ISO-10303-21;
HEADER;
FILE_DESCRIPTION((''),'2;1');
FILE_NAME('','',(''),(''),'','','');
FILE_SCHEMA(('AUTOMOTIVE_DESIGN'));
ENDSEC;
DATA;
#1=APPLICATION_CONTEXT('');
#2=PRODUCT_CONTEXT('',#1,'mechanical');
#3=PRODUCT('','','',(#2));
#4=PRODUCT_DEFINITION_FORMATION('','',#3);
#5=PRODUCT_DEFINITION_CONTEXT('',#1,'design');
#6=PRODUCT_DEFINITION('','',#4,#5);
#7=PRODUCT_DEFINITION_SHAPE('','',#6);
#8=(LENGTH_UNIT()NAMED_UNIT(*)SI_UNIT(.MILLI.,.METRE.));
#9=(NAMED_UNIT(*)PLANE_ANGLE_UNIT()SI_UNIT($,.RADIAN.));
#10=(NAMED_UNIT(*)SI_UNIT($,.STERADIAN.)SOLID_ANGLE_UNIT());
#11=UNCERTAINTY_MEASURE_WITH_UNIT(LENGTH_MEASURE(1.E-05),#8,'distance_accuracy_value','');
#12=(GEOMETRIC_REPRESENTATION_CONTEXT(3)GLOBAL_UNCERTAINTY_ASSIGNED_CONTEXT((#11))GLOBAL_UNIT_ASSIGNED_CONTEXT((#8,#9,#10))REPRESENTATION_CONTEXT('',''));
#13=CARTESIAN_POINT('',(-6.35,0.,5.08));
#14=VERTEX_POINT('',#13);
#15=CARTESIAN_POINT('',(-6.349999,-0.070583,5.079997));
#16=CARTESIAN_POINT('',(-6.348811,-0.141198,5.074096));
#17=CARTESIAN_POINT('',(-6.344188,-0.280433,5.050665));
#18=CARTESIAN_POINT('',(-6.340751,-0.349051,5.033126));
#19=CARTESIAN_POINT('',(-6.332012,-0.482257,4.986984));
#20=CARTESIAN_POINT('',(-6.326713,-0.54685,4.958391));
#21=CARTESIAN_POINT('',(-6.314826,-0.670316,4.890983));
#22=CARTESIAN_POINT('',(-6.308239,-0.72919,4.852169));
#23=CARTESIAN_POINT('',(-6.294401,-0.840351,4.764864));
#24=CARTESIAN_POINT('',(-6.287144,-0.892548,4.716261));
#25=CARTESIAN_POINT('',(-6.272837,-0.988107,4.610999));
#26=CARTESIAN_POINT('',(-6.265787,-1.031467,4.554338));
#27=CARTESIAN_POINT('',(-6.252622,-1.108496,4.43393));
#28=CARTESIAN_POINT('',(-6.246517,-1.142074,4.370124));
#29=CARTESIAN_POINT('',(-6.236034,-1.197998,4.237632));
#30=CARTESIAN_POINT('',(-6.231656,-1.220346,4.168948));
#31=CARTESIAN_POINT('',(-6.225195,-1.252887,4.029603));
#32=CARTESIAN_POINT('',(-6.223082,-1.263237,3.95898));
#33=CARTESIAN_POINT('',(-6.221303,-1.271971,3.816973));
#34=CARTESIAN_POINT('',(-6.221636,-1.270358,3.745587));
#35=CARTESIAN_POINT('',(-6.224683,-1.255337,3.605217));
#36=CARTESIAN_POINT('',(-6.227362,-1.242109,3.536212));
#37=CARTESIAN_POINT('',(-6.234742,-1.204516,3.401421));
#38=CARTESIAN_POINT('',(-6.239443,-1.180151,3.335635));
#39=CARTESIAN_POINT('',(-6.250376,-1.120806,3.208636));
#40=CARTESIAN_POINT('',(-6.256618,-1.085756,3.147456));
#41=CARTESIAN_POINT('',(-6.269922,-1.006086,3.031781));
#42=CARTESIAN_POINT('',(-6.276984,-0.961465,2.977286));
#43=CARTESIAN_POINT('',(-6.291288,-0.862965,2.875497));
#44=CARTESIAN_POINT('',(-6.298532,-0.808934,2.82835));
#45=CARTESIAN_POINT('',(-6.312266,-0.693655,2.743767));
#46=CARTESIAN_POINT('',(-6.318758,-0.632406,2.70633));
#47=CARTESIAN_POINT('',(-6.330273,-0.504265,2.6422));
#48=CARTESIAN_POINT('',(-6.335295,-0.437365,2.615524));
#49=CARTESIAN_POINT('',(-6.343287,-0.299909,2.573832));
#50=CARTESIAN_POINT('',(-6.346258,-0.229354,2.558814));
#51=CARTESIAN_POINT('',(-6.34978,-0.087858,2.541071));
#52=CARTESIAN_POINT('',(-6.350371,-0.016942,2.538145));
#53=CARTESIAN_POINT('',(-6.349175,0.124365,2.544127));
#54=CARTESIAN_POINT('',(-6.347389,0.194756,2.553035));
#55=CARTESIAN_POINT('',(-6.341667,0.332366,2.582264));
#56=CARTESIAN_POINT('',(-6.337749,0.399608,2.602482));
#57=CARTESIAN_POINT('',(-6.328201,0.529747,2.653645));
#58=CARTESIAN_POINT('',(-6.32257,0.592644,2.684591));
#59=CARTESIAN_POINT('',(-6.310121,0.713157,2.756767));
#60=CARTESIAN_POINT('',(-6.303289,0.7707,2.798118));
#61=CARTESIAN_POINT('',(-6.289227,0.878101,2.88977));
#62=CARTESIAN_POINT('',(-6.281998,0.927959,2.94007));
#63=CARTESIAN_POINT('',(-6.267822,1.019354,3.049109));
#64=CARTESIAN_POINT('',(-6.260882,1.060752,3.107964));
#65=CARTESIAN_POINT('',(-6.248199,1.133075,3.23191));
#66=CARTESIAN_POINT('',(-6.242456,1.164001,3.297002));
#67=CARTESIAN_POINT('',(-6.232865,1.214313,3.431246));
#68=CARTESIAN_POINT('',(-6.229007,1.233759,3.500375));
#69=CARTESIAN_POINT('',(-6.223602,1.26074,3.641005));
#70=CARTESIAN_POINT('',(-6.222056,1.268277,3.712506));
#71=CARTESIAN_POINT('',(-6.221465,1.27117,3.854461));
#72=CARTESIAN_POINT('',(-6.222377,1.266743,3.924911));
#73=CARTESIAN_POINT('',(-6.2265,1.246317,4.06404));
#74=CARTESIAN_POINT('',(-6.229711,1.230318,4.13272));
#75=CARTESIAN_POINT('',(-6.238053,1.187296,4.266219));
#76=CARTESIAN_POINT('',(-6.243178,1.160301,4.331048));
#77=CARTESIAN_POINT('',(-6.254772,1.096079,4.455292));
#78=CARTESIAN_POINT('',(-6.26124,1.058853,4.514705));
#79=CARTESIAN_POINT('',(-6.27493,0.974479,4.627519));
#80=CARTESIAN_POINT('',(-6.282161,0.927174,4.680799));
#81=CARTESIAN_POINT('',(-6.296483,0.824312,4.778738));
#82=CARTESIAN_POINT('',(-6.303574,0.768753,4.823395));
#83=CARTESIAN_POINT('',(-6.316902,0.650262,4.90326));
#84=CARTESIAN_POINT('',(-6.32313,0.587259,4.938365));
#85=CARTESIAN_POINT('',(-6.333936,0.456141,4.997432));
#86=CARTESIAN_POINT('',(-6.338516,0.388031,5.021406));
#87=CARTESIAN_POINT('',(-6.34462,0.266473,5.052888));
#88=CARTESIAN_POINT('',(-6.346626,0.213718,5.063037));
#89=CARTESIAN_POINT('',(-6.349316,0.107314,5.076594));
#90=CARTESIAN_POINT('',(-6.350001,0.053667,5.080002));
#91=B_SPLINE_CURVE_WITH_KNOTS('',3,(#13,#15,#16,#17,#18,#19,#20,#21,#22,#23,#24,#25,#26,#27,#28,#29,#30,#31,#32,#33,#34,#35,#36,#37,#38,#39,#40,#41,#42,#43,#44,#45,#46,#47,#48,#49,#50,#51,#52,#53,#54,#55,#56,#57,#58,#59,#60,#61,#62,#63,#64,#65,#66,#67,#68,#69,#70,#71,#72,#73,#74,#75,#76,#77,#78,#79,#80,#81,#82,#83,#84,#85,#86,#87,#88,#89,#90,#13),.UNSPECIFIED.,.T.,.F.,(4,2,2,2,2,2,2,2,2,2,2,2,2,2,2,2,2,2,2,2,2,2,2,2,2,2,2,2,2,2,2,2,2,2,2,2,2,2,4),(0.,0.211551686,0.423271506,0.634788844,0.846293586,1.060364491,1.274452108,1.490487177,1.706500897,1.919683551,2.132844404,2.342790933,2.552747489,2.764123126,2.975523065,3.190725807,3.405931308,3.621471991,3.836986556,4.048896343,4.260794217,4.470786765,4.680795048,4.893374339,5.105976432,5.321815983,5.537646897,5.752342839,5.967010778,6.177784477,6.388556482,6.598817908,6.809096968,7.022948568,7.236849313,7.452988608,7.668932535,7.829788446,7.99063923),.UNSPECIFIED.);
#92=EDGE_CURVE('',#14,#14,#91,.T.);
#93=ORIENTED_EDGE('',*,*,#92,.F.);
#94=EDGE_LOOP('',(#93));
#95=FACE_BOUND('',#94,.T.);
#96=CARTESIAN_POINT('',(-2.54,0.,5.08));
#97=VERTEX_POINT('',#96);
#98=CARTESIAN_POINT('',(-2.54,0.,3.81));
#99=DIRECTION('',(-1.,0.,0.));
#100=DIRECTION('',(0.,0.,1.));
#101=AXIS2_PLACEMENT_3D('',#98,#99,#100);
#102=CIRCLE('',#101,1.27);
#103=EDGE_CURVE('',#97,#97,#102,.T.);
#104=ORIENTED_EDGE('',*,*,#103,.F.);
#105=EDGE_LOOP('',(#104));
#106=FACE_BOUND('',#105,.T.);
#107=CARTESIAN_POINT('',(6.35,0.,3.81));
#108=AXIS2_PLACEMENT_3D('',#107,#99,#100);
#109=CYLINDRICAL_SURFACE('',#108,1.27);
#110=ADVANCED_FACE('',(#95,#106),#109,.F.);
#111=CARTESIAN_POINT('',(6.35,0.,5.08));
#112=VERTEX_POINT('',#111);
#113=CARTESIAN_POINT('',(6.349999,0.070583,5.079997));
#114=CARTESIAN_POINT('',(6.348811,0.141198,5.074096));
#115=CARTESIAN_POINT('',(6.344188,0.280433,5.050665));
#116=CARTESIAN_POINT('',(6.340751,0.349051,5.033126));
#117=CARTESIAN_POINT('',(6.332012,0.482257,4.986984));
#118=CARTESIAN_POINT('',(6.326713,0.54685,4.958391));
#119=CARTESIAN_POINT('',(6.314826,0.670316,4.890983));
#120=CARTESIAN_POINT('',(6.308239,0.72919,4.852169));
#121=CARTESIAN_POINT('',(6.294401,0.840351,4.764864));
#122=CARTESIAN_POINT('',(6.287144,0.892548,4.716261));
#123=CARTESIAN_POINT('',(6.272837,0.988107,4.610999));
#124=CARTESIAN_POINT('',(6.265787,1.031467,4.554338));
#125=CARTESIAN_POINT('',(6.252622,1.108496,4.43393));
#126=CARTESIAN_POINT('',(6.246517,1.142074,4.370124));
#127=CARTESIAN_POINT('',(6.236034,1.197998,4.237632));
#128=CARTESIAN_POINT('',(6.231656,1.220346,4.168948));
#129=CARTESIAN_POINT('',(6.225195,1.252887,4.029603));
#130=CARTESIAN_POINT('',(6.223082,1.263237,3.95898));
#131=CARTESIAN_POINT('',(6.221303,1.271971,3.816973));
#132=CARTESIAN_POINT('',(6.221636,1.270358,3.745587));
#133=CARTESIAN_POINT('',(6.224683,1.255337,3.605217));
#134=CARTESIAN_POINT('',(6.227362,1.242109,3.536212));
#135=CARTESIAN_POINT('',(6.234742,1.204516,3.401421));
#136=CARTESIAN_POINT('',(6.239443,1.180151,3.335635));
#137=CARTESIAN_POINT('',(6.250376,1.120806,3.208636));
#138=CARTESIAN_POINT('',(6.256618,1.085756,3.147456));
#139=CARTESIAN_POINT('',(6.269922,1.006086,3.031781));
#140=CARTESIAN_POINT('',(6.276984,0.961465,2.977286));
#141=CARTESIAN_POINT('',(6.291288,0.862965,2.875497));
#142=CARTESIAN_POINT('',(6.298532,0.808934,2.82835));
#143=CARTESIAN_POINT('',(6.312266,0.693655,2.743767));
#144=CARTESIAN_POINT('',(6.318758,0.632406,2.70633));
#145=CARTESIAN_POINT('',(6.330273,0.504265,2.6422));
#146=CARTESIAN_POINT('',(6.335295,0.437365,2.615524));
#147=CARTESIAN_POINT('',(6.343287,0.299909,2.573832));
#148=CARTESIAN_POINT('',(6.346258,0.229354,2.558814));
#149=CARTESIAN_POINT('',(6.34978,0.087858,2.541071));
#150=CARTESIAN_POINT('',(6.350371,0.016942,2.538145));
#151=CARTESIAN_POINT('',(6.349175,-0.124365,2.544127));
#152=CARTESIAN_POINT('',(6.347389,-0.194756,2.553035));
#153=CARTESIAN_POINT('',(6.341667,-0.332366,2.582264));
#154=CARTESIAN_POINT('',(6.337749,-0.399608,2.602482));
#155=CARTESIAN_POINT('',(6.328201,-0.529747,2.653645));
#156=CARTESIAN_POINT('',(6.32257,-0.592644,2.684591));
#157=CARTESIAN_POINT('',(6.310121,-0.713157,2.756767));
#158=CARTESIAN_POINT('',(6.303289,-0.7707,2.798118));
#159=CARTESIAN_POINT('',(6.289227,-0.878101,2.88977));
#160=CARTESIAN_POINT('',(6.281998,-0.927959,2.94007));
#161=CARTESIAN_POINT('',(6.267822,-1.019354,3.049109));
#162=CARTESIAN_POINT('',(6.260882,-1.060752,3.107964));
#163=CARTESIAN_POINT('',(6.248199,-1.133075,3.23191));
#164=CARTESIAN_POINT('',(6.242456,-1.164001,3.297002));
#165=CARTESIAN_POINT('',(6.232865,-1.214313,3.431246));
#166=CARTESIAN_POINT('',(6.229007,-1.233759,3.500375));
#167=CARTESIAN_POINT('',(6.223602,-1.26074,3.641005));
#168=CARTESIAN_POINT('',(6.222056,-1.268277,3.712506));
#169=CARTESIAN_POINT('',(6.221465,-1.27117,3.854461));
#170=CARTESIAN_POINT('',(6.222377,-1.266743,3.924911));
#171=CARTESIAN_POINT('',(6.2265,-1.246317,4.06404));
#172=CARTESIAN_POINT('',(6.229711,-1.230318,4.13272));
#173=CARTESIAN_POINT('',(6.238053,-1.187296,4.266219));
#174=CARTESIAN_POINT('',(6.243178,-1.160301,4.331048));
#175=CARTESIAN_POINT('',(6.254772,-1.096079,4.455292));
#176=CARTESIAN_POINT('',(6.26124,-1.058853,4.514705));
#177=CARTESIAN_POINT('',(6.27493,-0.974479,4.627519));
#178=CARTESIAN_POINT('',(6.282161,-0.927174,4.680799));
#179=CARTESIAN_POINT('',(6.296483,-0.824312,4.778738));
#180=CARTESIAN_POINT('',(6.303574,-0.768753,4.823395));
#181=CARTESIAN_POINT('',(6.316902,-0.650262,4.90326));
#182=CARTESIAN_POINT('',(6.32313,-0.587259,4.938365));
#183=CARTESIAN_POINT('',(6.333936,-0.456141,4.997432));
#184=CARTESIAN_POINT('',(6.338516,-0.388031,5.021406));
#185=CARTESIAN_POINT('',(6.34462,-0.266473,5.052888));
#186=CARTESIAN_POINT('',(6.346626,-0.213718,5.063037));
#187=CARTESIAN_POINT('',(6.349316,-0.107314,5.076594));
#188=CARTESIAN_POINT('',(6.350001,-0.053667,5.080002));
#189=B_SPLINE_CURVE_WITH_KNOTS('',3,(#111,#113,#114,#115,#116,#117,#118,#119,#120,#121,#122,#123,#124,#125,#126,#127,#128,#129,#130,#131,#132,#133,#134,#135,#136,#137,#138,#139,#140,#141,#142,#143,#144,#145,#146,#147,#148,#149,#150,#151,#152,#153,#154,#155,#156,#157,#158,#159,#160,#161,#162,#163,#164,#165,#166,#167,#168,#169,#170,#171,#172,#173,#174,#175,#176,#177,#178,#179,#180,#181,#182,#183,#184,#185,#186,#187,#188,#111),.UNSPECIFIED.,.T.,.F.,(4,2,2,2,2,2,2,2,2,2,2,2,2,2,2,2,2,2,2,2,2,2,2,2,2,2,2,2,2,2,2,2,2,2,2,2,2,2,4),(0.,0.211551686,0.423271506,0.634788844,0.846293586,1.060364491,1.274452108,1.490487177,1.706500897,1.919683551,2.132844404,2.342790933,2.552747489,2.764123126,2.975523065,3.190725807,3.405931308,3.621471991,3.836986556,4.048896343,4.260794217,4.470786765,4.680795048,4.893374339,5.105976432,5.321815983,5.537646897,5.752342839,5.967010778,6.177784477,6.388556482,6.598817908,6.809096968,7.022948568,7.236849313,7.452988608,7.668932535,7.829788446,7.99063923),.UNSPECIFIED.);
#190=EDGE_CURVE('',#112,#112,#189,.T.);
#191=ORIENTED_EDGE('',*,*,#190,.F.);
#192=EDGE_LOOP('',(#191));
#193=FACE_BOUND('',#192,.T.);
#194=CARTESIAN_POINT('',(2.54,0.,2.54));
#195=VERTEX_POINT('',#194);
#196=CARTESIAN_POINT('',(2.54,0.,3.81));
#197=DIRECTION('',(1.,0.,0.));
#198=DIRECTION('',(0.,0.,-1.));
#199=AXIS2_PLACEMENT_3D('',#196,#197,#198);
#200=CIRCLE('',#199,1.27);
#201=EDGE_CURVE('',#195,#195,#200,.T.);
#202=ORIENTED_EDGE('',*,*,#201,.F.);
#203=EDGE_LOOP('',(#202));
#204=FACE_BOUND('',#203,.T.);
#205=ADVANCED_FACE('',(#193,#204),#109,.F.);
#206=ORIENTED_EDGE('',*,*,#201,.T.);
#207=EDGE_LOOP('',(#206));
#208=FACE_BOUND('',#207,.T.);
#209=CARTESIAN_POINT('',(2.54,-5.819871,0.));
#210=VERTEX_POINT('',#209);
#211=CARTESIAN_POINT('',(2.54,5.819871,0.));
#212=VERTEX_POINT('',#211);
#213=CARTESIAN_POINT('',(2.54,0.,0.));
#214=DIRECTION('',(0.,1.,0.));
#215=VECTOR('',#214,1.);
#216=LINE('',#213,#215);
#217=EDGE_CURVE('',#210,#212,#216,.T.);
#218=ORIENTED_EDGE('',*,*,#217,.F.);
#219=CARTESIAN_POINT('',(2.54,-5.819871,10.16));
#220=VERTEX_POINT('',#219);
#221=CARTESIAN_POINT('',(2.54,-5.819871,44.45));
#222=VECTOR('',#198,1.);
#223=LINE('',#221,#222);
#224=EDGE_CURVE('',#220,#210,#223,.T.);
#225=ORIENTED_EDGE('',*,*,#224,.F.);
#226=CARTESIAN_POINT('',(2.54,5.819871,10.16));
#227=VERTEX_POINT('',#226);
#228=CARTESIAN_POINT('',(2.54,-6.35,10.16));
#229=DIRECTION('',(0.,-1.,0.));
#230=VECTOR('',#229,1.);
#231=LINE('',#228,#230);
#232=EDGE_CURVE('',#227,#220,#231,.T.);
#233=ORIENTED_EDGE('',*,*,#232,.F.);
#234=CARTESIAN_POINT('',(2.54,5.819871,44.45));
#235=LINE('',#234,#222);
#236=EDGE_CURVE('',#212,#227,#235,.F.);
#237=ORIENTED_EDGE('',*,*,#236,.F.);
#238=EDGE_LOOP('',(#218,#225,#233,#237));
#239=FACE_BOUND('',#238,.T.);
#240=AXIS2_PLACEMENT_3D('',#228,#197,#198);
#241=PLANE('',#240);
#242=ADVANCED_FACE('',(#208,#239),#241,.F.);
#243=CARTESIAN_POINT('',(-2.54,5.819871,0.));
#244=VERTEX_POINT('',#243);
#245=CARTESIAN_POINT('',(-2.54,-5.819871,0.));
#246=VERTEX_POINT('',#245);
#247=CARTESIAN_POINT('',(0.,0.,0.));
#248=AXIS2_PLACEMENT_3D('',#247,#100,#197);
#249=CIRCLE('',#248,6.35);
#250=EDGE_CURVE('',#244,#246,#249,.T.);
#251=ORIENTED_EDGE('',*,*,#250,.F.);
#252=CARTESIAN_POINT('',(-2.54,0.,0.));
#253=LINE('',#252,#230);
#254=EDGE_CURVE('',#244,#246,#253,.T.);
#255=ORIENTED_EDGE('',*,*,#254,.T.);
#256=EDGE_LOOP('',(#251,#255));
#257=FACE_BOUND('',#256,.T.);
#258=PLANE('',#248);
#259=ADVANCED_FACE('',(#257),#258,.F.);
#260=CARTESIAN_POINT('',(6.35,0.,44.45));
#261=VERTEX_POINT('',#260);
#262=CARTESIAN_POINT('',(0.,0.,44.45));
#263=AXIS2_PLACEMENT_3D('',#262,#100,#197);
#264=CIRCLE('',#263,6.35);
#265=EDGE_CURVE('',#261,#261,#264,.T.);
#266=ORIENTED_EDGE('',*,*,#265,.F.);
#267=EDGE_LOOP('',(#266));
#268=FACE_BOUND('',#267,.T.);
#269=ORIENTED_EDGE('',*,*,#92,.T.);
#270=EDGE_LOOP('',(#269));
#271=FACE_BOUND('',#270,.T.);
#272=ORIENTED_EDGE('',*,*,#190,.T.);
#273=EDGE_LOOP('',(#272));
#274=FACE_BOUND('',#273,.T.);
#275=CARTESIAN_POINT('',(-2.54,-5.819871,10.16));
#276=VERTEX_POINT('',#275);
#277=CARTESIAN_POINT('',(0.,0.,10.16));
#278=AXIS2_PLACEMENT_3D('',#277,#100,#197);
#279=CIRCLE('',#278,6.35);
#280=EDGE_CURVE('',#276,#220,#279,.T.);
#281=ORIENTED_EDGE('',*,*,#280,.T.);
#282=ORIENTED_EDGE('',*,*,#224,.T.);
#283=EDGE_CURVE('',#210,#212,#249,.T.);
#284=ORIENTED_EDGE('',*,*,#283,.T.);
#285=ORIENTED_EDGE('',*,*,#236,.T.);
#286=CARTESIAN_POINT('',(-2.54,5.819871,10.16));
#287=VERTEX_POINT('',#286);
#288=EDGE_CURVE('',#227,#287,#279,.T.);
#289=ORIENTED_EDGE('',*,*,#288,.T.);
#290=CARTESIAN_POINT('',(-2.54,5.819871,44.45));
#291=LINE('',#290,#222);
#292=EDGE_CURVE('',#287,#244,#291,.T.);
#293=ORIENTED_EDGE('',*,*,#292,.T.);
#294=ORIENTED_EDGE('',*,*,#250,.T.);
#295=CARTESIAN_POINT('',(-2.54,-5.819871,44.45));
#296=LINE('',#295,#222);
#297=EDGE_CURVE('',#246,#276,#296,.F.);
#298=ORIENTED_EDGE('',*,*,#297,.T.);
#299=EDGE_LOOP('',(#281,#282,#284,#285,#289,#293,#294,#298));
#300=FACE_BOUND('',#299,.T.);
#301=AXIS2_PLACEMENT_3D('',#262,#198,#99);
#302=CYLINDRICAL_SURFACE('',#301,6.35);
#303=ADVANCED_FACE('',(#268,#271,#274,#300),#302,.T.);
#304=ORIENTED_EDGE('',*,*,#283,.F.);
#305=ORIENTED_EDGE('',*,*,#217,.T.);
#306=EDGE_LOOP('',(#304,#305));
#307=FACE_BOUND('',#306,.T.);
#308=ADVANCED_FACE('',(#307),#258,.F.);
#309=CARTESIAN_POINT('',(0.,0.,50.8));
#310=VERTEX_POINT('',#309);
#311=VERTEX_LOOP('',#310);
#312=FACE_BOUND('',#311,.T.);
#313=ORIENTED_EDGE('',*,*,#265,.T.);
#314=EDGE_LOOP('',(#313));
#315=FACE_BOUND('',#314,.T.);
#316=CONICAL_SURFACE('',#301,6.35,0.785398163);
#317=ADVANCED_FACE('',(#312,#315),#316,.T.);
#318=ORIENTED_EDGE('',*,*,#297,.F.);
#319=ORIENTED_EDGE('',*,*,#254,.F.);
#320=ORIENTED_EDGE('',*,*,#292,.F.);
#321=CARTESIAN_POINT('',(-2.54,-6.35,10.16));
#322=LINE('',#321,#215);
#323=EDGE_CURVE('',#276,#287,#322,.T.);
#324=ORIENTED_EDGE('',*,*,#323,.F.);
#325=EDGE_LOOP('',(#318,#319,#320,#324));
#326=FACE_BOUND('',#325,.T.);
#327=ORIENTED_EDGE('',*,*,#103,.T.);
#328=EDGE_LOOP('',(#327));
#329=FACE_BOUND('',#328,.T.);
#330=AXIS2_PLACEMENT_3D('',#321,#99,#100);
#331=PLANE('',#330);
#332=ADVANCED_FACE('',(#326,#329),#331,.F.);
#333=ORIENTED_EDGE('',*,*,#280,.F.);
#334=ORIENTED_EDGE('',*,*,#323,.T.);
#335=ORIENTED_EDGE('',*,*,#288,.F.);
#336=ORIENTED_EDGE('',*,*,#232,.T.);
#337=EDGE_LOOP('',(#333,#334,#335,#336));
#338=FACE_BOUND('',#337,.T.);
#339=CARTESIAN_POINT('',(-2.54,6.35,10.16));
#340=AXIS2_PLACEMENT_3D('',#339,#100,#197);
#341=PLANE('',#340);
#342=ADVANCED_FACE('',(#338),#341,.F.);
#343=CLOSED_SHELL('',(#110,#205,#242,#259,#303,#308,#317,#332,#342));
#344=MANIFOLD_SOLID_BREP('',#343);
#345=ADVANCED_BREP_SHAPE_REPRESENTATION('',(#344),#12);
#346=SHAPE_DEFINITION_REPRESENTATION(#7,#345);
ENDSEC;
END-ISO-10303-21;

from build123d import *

# Parameters (mm, degrees)
SKETCH2_R               = 6.35
BOSS_EXTRUDE1_DEPTH     = 44.45
SKETCH4_W               = 5.08
SKETCH4_H               = 12.7
CUT_EXTRUDE1_DEPTH      = 10.16
SKETCH5_R               = 1.27
CUT_EXTRUDE2_DEPTH      = 9.89
CUT_EXTRUDE2_DEPTH_BACK = 4.81


with BuildPart() as part:
    # Sketch2 → Boss-Extrude1 (new body)
    with BuildSketch(Plane.XY):
        Circle(SKETCH2_R)
    extrude(amount=BOSS_EXTRUDE1_DEPTH)

    # Sketch3 → Revolve1 (revolve)
    with BuildSketch(Plane(origin=(0, 0, 0), x_dir=(0, 0, -1), z_dir=(1, 0, 0))):
        Polygon((-50.8, 0), (-44.45, 6.35), (-44.45, 0), align=None)
    revolve(axis=Axis((0, 0, 50.8), (0, 0, -1)))

    # Sketch4 → Cut-Extrude1 (cut)
    with BuildSketch(Plane(origin=(0, 0, 0), x_dir=(-1, 0, 0), z_dir=(0, 0, -1))):
        Rectangle(SKETCH4_W, SKETCH4_H)
    extrude(amount=-CUT_EXTRUDE1_DEPTH, mode=Mode.SUBTRACT)

    # Sketch5 → Cut-Extrude2 (cut, two sides)
    with BuildSketch(Plane.ZY.offset(-2.54)) as cut_extrude2_sk:
        with Locations((3.81, 0)):
            Circle(SKETCH5_R)
    extrude(amount=CUT_EXTRUDE2_DEPTH, mode=Mode.SUBTRACT)
    extrude(cut_extrude2_sk.sketch, amount=-CUT_EXTRUDE2_DEPTH_BACK, mode=Mode.SUBTRACT)


solid = part.part
